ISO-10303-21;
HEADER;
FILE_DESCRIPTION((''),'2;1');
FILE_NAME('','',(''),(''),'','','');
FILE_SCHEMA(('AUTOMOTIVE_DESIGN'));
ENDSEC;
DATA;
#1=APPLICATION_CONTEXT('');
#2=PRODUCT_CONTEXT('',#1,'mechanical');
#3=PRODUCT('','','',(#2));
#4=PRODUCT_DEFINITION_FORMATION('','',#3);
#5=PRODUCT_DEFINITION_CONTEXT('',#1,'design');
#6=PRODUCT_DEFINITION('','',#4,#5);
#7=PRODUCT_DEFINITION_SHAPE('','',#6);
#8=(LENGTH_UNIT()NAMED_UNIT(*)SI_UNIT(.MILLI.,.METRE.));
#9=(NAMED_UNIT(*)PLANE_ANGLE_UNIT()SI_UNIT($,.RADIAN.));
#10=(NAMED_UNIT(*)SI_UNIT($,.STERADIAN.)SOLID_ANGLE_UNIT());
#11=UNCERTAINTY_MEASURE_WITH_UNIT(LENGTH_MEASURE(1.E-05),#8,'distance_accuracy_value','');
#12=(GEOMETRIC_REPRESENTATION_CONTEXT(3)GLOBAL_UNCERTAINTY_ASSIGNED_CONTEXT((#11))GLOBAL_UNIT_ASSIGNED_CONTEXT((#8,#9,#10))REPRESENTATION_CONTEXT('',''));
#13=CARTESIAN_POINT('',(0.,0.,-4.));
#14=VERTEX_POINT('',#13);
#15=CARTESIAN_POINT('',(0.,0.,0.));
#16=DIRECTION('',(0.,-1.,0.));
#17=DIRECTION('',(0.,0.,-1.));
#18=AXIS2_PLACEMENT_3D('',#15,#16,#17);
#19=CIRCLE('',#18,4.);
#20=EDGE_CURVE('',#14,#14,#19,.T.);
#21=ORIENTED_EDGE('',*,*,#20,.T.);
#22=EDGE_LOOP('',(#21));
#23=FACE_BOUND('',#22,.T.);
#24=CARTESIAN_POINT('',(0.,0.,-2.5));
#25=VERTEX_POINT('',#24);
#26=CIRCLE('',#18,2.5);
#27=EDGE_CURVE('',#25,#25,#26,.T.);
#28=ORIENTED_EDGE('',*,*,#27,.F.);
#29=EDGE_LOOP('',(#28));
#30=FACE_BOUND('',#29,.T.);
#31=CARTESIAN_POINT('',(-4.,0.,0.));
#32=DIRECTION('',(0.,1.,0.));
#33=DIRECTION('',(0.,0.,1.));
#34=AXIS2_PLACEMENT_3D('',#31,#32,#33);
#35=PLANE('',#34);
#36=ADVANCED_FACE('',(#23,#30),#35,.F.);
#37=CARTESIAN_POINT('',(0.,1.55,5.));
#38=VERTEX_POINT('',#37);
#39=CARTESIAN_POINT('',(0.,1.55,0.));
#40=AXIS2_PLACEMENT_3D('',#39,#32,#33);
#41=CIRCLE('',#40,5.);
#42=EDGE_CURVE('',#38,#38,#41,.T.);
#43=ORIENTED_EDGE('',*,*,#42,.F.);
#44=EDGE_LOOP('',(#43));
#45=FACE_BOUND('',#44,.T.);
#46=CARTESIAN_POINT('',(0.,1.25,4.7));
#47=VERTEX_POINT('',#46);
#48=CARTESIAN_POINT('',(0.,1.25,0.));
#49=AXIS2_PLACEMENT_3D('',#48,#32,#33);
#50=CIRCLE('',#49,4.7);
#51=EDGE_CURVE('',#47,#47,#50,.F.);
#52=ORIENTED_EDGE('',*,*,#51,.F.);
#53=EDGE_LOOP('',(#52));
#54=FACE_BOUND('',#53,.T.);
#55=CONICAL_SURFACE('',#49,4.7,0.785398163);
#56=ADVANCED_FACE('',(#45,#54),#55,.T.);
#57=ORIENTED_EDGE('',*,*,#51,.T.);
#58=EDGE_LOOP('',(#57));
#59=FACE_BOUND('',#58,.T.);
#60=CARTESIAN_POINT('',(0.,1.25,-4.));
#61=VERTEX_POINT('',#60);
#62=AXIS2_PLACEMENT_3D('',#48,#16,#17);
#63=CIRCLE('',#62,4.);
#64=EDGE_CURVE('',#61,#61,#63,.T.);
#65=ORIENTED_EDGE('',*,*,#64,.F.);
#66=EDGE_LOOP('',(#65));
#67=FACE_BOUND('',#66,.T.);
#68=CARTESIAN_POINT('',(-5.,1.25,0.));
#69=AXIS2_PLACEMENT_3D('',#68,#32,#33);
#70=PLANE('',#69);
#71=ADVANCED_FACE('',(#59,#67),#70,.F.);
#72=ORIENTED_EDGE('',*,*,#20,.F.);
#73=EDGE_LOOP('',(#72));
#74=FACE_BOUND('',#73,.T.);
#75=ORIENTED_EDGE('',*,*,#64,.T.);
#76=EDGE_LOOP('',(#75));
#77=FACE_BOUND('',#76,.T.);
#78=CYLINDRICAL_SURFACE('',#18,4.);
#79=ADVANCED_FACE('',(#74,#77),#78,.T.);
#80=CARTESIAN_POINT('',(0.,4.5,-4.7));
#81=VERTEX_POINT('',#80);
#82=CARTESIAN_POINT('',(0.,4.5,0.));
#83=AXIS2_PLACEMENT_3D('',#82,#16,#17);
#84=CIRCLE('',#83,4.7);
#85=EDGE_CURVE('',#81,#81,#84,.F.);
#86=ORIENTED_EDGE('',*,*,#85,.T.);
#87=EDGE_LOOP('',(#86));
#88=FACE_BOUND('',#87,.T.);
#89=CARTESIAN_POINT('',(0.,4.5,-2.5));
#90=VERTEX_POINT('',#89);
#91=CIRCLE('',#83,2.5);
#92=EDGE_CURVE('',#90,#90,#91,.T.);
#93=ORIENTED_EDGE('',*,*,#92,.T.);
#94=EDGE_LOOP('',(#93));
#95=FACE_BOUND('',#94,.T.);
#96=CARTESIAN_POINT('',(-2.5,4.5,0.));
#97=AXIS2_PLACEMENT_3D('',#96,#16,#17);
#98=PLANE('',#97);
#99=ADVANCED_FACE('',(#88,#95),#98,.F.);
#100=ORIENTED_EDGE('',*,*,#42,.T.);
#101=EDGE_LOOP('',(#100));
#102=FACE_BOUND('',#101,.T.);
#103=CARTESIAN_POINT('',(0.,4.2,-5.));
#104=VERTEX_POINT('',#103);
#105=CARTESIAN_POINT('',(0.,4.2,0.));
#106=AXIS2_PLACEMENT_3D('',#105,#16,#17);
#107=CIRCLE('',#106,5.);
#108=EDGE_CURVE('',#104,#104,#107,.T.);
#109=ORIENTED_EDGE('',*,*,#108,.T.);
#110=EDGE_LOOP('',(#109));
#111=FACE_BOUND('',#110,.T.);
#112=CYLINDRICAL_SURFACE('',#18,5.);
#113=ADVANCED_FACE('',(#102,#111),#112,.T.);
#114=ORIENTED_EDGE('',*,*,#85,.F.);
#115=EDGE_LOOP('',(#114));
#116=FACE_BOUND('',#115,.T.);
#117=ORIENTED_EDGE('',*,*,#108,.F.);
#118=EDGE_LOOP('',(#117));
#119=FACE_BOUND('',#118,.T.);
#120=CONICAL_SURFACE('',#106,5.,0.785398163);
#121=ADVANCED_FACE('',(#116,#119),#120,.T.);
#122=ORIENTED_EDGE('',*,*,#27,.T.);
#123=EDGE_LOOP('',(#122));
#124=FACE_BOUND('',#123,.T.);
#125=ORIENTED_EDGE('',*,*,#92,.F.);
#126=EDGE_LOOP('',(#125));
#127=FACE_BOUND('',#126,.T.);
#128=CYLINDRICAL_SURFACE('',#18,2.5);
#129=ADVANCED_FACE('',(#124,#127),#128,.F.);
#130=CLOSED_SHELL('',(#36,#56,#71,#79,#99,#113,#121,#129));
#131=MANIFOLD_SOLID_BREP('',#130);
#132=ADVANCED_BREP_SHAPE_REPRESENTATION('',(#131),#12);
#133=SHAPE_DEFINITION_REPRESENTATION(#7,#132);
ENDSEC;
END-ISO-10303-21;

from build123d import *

# Parameters (mm, degrees)
CHANFREIN1_SIZE = 0.3


with BuildPart() as part:
    # Esquisse1 → Révolution1 (revolve)
    with BuildSketch(Plane.XY, mode=Mode.PRIVATE) as r_volution1_sk:
        Polygon((-2.5, 0), (-2.5, 4.5), (-5, 4.5), (-5, 1.25), (-4, 1.25), (-4, 0), align=None)
    revolve(r_volution1_sk.sketch.rotate(Axis((0, 0, 0), (0, 1, 0)), 270), axis=Axis((0, 0, 0), (0, 1, 0)))  # turned: the seam where the file's is

    # Chanfrein1
    chanfrein1_edges = [part.edges().sort_by_distance(p)[0] for p in [
        (0, 1.25, 5),
        (0, 4.5, 5),
    ]]
    chamfer(chanfrein1_edges, length=CHANFREIN1_SIZE)


solid = part.part
